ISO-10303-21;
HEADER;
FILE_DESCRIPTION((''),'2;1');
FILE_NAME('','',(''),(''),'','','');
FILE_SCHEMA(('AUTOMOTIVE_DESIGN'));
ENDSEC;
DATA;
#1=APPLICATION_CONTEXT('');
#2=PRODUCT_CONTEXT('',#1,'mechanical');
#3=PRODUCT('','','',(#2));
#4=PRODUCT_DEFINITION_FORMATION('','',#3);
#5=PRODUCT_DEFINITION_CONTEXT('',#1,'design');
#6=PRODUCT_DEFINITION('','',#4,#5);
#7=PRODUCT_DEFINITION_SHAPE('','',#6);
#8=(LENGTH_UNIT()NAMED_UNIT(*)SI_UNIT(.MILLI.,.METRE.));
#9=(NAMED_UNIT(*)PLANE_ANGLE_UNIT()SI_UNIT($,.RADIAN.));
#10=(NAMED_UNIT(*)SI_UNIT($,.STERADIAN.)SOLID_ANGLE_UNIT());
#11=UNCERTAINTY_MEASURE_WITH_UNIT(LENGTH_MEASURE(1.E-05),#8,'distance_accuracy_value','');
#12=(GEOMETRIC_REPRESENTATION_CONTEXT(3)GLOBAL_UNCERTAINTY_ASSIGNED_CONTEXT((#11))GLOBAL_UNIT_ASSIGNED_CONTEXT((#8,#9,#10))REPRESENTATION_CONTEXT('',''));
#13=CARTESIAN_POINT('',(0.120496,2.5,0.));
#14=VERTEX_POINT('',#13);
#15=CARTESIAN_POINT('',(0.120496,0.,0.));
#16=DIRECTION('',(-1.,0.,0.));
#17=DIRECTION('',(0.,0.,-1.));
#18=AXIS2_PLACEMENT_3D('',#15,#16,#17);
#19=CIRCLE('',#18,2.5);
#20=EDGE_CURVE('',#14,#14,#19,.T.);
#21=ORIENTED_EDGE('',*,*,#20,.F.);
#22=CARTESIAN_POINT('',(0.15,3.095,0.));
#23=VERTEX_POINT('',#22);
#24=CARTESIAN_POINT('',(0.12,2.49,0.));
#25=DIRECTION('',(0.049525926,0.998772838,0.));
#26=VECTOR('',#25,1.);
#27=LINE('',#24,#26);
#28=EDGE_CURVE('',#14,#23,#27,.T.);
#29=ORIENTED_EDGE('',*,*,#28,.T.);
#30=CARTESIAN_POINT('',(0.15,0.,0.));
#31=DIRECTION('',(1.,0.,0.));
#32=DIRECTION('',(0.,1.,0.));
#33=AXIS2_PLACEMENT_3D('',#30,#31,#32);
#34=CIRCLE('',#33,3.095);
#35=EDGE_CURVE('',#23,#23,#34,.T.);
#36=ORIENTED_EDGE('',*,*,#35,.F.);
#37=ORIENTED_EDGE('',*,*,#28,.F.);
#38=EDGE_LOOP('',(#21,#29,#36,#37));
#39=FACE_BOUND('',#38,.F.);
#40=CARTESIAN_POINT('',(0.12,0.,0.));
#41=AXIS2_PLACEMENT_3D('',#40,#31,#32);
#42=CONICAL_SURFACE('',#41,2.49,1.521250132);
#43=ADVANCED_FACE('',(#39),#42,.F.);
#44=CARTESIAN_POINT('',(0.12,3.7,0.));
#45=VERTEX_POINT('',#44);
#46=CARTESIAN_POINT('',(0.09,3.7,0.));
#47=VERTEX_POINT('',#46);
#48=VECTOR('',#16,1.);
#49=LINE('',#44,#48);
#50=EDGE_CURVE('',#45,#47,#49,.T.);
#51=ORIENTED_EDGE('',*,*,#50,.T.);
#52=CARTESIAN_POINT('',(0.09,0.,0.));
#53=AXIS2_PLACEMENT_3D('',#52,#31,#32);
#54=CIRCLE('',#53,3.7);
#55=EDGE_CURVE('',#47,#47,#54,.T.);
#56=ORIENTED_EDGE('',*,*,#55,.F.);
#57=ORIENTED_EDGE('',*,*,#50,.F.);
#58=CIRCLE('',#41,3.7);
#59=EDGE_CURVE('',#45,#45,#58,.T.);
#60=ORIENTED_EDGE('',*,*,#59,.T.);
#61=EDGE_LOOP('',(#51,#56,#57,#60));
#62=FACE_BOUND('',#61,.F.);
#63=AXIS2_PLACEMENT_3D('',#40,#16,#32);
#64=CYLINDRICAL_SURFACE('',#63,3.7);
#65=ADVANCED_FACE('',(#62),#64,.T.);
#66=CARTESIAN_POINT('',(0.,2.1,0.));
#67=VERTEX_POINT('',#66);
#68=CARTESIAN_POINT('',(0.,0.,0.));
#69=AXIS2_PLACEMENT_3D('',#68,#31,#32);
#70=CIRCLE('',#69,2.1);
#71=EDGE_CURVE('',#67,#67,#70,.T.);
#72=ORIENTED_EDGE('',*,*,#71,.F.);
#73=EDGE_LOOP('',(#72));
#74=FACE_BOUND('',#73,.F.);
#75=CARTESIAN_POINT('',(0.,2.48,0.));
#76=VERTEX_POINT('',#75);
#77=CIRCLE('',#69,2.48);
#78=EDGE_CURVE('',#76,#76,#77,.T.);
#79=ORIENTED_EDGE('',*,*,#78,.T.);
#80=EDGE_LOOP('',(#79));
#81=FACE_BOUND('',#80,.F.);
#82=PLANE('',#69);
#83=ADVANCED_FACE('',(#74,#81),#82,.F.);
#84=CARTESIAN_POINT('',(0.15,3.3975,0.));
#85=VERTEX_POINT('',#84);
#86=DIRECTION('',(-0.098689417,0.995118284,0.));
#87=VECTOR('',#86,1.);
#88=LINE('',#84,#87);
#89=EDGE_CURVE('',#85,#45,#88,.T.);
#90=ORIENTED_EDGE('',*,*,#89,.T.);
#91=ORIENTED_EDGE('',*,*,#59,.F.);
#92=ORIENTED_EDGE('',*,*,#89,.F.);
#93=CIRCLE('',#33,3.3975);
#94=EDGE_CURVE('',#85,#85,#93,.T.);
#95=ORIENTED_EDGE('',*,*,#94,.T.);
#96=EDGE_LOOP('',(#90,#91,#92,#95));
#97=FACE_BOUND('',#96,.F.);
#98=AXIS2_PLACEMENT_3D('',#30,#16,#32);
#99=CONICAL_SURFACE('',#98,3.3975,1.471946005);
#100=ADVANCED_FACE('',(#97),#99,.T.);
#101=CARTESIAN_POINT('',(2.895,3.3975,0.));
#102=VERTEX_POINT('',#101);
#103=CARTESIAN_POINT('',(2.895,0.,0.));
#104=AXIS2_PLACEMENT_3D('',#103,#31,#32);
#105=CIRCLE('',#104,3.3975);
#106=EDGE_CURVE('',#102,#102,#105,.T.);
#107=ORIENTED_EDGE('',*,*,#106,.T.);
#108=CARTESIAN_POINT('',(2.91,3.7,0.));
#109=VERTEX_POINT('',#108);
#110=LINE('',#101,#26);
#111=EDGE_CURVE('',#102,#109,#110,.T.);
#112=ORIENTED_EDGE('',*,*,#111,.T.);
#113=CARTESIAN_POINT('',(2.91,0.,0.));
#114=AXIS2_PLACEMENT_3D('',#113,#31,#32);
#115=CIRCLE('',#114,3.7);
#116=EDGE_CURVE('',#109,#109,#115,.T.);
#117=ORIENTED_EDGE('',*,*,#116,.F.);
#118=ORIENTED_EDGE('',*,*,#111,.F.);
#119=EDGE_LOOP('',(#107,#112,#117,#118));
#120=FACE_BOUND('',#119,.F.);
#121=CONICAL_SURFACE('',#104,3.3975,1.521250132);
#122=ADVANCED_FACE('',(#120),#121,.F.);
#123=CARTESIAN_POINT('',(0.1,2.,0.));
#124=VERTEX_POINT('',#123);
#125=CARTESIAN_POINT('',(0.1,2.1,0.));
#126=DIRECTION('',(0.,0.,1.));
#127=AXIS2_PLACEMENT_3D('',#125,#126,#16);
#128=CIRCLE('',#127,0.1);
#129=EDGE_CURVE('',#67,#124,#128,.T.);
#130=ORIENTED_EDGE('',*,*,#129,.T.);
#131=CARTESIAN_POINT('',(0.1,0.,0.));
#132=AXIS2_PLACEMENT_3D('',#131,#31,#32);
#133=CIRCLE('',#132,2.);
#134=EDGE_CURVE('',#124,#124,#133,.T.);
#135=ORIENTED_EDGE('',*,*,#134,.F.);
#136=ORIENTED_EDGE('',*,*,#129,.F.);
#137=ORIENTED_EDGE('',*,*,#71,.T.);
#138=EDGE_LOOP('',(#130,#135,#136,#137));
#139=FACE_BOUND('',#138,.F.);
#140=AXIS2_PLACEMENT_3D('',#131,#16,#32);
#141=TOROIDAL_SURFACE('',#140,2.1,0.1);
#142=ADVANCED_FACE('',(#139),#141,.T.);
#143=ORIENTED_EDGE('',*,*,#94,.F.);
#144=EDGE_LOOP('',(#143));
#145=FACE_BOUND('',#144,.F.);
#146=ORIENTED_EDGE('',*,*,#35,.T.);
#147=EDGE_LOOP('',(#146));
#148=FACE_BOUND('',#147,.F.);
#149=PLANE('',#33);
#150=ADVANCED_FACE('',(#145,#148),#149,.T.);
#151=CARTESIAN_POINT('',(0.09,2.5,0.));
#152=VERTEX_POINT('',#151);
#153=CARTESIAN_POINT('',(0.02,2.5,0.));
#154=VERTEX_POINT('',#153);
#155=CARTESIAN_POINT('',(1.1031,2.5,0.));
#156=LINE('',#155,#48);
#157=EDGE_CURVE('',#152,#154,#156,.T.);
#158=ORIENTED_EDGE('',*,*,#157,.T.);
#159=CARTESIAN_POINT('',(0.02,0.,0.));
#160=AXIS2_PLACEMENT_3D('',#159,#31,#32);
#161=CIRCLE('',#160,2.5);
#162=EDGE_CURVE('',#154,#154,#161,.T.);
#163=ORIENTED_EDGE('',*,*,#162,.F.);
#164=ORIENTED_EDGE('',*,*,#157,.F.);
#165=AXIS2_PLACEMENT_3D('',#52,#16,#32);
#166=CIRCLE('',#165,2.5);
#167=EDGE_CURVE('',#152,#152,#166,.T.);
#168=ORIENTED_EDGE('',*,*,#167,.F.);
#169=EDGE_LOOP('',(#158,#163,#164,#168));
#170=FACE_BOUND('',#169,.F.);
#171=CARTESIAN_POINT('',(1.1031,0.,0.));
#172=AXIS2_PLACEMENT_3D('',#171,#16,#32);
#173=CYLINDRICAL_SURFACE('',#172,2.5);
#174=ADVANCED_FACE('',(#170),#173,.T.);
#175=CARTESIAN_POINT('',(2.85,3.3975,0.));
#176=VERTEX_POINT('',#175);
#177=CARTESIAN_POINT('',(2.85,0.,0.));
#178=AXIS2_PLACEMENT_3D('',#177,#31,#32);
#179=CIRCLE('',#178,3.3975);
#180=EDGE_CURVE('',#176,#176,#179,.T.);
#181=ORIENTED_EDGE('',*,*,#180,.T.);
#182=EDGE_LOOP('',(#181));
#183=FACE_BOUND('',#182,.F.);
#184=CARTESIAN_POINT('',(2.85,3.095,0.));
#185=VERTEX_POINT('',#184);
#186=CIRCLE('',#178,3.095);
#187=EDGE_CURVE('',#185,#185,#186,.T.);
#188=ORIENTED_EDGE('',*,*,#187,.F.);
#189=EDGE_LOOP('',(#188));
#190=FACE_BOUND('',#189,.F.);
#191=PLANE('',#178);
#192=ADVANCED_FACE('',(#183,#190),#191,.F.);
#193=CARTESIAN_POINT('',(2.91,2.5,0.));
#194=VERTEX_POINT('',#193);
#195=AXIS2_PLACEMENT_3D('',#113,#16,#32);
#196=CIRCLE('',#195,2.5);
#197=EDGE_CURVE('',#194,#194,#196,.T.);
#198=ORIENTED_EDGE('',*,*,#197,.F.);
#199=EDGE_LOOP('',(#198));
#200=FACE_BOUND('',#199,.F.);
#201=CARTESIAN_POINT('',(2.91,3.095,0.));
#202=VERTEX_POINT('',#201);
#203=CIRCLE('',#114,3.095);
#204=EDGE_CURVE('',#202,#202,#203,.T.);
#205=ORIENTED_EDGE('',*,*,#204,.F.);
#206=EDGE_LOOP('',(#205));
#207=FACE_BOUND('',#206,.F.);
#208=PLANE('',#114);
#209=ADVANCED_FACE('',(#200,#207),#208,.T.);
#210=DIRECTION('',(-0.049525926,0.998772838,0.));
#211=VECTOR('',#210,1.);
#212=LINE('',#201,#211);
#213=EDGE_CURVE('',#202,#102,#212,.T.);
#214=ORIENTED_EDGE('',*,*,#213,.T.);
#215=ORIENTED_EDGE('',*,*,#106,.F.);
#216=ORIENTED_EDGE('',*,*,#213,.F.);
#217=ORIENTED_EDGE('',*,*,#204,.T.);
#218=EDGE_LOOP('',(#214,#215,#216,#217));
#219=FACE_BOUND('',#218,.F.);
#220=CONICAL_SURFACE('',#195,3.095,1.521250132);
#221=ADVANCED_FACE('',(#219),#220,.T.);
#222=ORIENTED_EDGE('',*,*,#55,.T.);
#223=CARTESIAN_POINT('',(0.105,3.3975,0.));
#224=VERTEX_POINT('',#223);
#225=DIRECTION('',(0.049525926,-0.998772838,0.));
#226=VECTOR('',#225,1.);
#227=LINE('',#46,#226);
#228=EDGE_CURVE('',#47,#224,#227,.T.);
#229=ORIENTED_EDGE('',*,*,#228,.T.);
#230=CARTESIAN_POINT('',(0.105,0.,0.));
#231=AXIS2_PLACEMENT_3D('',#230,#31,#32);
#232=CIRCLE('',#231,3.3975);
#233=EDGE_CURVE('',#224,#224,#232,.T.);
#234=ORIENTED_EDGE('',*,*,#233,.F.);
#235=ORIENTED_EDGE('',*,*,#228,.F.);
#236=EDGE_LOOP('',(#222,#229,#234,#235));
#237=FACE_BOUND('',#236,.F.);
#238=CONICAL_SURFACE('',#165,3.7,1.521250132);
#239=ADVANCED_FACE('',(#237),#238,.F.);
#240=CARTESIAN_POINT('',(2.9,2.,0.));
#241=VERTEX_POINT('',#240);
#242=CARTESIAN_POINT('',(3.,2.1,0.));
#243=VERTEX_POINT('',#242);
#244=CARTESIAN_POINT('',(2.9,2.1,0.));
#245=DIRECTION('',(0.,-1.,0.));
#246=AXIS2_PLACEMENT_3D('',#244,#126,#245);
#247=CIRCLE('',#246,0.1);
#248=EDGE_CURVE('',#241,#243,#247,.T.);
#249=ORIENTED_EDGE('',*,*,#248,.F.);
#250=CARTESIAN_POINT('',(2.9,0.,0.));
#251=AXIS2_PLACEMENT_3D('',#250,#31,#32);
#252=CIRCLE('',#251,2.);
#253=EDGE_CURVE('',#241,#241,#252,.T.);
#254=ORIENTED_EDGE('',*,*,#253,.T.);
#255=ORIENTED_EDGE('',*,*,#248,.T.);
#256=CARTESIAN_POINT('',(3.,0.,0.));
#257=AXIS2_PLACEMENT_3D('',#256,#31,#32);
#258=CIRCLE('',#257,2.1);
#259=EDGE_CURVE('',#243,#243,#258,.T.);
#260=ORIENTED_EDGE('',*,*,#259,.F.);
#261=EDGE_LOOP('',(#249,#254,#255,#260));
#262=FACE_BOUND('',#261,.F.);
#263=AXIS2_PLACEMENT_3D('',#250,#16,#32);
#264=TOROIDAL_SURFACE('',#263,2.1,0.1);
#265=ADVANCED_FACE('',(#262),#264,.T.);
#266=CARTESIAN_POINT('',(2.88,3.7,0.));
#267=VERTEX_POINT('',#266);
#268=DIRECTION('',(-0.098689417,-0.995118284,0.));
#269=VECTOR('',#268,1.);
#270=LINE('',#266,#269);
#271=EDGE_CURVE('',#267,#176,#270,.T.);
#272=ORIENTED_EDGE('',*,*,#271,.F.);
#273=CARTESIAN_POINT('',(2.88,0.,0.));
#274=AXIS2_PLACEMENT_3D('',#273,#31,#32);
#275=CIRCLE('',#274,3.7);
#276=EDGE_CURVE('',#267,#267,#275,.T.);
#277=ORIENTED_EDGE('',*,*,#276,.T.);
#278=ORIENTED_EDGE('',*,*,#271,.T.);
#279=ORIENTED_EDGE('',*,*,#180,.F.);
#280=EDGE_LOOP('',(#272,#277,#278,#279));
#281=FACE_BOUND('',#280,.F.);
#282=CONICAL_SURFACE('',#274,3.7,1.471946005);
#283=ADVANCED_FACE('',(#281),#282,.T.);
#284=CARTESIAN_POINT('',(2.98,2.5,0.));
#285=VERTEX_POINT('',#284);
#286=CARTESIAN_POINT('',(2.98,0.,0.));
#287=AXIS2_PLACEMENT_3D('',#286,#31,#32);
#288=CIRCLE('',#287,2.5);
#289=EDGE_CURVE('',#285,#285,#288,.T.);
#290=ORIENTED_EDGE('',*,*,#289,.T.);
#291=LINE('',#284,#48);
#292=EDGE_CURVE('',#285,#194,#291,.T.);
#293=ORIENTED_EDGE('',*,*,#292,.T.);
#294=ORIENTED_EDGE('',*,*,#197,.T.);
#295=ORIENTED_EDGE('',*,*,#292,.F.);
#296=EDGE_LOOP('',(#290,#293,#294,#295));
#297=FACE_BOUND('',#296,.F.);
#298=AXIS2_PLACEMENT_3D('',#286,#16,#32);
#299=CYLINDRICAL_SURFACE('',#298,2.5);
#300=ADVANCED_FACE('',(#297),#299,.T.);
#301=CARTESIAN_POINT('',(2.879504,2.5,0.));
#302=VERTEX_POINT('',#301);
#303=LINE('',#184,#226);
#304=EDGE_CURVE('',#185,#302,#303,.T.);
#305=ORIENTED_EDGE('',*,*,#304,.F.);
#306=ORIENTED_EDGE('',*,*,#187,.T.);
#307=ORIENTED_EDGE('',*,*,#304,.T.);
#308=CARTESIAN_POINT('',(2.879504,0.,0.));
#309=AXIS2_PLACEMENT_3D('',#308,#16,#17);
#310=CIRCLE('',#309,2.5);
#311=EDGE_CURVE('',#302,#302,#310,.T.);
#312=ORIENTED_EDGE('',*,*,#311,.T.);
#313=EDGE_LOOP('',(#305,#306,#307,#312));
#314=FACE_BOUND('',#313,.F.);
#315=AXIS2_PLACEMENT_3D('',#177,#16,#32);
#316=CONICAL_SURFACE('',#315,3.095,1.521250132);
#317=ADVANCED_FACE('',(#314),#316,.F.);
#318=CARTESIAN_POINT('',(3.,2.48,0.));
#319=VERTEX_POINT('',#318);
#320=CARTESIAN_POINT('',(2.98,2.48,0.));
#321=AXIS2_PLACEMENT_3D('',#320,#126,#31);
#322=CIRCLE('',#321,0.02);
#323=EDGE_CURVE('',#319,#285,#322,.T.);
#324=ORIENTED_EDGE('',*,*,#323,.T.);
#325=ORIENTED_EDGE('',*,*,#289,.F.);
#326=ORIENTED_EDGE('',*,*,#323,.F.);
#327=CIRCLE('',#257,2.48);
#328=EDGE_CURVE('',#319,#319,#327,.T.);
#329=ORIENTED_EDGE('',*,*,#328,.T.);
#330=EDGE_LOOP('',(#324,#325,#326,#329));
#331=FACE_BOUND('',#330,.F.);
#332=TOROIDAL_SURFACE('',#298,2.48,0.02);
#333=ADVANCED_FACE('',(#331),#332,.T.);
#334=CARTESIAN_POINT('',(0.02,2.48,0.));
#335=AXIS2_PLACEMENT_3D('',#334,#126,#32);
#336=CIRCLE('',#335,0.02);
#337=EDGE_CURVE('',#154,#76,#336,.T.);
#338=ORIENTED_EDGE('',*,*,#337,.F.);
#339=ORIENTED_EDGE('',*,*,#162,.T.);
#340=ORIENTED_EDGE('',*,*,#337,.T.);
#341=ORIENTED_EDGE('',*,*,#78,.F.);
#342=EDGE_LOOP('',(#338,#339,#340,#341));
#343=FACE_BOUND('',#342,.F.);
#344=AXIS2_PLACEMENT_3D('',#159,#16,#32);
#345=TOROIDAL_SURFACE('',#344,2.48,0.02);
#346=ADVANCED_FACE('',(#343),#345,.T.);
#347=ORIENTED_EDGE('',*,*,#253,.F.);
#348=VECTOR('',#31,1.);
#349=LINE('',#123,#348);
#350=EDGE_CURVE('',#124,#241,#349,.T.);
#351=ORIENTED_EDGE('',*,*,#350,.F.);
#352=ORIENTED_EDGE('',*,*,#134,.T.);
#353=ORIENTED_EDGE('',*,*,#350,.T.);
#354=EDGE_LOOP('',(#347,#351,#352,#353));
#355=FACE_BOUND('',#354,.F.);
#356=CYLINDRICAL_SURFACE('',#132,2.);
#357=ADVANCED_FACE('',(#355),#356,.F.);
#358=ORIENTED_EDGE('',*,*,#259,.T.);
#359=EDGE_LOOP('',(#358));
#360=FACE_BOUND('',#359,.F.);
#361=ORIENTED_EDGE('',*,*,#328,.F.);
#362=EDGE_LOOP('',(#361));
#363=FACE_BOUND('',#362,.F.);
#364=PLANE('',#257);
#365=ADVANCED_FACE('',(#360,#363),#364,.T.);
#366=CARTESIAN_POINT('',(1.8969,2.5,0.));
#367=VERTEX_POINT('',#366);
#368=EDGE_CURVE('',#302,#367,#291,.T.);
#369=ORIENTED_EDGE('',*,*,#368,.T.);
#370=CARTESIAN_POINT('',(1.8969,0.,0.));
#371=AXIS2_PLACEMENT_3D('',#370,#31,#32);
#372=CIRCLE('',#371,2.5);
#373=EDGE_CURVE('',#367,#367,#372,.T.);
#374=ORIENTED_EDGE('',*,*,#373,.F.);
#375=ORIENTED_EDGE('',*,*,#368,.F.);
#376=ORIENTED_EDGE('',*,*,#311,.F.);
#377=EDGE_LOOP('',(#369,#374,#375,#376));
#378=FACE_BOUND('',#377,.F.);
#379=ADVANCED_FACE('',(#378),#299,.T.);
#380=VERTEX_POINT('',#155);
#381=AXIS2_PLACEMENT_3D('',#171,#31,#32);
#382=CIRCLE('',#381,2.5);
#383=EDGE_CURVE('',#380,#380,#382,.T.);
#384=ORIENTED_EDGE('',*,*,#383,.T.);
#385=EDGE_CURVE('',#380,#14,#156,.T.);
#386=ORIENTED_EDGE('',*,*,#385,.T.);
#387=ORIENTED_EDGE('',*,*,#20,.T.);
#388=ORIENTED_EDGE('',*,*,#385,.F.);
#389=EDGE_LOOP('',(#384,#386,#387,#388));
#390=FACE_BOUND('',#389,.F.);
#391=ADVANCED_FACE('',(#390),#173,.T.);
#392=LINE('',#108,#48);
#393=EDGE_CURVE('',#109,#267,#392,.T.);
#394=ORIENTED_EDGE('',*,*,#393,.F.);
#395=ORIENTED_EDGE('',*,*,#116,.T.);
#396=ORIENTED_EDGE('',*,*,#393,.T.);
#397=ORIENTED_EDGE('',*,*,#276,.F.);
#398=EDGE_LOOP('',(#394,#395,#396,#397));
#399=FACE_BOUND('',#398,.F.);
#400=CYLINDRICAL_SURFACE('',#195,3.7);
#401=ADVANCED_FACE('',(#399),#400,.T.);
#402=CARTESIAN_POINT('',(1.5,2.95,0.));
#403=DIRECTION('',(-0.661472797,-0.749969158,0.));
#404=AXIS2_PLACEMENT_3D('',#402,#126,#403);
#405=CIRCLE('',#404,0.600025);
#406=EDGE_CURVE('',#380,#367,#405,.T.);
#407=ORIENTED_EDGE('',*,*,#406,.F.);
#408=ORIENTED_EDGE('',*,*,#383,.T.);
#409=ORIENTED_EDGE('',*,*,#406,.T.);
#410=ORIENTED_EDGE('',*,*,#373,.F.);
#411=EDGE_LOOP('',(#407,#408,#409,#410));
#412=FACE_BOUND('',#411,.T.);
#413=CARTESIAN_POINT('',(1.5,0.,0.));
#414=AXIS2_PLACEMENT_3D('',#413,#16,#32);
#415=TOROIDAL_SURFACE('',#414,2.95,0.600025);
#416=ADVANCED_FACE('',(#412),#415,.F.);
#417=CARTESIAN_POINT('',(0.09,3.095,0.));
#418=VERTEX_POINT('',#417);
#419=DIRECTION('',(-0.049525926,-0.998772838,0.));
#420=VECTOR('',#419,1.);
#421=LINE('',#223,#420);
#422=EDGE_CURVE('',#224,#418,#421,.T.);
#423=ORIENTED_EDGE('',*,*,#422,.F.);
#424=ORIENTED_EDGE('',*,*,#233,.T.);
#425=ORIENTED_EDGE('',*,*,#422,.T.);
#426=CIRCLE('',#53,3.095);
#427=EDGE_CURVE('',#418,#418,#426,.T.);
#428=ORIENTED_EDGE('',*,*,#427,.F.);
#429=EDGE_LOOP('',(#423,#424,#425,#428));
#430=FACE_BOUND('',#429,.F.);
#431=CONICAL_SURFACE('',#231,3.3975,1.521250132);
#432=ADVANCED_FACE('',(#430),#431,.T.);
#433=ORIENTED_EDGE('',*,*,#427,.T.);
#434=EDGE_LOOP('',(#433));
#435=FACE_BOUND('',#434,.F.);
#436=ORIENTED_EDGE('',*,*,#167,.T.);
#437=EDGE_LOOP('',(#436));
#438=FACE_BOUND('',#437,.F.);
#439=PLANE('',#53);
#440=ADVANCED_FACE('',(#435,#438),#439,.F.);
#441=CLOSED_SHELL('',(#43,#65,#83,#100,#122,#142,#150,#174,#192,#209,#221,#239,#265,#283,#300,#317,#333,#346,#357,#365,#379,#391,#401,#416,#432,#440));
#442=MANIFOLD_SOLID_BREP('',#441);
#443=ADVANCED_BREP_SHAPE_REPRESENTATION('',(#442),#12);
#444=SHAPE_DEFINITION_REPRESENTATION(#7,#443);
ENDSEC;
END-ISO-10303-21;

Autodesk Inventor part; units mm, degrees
ref_plane "YZ Plane" through (0, 0, 0) normal (1, 0, 0) x (0, 1, 0)
ref_plane "XZ Plane" through (0, 0, 0) normal (0, 1, 0) x (-1, 0, 0)
ref_plane "XY Plane" through (0, 0, 0) normal (0, 0, 1) x (1, 0, 0)
sketch "Sketch_6" plane through (0, 0, 0) normal (0, 0, 1) x (1, 0, 0)
  line L0 (50, 0) -> (-50, 0)
  line L1 (0, 2.48) -> (0, 2.1)
  arc A0 (0, 2.1) -> (0.1, 2) centre (0.1, 2.1) ccw
  line L2 (0.1, 2) -> (2.9, 2)
  arc A1 (2.9, 2) -> (3, 2.1) centre (2.9, 2.1) ccw
  line L3 (3, 2.1) -> (3, 2.48)
  arc A2 (3, 2.48) -> (2.98, 2.5) centre (2.98, 2.48) ccw
  line L4 (2.98, 2.5) -> (1.8969, 2.5)
  arc A3 (1.1031, 2.5) -> (1.8969, 2.5) centre (1.5, 2.95) ccw
  line L5 (1.1031, 2.5) -> (0.02, 2.5)
  arc A4 (0.02, 2.5) -> (0, 2.48) centre (0.02, 2.48) ccw
revolve "Revolution1" add sketch "Sketch_6" angle 360 about axis through (50, 0, 0) along (1, 0, 0)
sketch "Sketch_11" plane through (0, 0, 0) normal (0, 0, 1) x (1, 0, 0)
  line L0 (50, 0) -> (-50, 0)
  line L1 (0.09, 3.7) -> (0.105, 3.3975)
  line L2 (0.105, 3.3975) -> (0.09, 3.095)
  line L3 (0.09, 3.095) -> (0.09, 2.49)
  line L4 (0.09, 2.49) -> (0.12, 2.49)
  line L5 (0.12, 2.49) -> (0.15, 3.095)
  line L6 (0.15, 3.095) -> (0.15, 3.3975)
  line L7 (0.15, 3.3975) -> (0.12, 3.7)
  line L8 (0.12, 3.7) -> (0.09, 3.7)
revolve "Revolution2" add sketch "Sketch_11" angle 360 about axis through (50, 0, 0) along (1, 0, 0)
sketch "Sketch_12" plane through (0, 0, 0) normal (0, 0, 1) x (1, 0, 0)
  line L0 (50, 0) -> (-50, 0)
  line L1 (2.85, 3.3975) -> (2.85, 3.095)
  line L2 (2.85, 3.095) -> (2.88, 2.49)
  line L3 (2.88, 2.49) -> (2.91, 2.49)
  line L4 (2.91, 2.49) -> (2.91, 3.095)
  line L5 (2.91, 3.095) -> (2.895, 3.3975)
  line L6 (2.895, 3.3975) -> (2.91, 3.7)
  line L7 (2.91, 3.7) -> (2.88, 3.7)
  line L8 (2.88, 3.7) -> (2.85, 3.3975)
revolve "Revolution3" add sketch "Sketch_12" angle 360 about axis through (50, 0, 0) along (1, 0, 0)
properties part number "W 637/4 X-2Z_PART1"
